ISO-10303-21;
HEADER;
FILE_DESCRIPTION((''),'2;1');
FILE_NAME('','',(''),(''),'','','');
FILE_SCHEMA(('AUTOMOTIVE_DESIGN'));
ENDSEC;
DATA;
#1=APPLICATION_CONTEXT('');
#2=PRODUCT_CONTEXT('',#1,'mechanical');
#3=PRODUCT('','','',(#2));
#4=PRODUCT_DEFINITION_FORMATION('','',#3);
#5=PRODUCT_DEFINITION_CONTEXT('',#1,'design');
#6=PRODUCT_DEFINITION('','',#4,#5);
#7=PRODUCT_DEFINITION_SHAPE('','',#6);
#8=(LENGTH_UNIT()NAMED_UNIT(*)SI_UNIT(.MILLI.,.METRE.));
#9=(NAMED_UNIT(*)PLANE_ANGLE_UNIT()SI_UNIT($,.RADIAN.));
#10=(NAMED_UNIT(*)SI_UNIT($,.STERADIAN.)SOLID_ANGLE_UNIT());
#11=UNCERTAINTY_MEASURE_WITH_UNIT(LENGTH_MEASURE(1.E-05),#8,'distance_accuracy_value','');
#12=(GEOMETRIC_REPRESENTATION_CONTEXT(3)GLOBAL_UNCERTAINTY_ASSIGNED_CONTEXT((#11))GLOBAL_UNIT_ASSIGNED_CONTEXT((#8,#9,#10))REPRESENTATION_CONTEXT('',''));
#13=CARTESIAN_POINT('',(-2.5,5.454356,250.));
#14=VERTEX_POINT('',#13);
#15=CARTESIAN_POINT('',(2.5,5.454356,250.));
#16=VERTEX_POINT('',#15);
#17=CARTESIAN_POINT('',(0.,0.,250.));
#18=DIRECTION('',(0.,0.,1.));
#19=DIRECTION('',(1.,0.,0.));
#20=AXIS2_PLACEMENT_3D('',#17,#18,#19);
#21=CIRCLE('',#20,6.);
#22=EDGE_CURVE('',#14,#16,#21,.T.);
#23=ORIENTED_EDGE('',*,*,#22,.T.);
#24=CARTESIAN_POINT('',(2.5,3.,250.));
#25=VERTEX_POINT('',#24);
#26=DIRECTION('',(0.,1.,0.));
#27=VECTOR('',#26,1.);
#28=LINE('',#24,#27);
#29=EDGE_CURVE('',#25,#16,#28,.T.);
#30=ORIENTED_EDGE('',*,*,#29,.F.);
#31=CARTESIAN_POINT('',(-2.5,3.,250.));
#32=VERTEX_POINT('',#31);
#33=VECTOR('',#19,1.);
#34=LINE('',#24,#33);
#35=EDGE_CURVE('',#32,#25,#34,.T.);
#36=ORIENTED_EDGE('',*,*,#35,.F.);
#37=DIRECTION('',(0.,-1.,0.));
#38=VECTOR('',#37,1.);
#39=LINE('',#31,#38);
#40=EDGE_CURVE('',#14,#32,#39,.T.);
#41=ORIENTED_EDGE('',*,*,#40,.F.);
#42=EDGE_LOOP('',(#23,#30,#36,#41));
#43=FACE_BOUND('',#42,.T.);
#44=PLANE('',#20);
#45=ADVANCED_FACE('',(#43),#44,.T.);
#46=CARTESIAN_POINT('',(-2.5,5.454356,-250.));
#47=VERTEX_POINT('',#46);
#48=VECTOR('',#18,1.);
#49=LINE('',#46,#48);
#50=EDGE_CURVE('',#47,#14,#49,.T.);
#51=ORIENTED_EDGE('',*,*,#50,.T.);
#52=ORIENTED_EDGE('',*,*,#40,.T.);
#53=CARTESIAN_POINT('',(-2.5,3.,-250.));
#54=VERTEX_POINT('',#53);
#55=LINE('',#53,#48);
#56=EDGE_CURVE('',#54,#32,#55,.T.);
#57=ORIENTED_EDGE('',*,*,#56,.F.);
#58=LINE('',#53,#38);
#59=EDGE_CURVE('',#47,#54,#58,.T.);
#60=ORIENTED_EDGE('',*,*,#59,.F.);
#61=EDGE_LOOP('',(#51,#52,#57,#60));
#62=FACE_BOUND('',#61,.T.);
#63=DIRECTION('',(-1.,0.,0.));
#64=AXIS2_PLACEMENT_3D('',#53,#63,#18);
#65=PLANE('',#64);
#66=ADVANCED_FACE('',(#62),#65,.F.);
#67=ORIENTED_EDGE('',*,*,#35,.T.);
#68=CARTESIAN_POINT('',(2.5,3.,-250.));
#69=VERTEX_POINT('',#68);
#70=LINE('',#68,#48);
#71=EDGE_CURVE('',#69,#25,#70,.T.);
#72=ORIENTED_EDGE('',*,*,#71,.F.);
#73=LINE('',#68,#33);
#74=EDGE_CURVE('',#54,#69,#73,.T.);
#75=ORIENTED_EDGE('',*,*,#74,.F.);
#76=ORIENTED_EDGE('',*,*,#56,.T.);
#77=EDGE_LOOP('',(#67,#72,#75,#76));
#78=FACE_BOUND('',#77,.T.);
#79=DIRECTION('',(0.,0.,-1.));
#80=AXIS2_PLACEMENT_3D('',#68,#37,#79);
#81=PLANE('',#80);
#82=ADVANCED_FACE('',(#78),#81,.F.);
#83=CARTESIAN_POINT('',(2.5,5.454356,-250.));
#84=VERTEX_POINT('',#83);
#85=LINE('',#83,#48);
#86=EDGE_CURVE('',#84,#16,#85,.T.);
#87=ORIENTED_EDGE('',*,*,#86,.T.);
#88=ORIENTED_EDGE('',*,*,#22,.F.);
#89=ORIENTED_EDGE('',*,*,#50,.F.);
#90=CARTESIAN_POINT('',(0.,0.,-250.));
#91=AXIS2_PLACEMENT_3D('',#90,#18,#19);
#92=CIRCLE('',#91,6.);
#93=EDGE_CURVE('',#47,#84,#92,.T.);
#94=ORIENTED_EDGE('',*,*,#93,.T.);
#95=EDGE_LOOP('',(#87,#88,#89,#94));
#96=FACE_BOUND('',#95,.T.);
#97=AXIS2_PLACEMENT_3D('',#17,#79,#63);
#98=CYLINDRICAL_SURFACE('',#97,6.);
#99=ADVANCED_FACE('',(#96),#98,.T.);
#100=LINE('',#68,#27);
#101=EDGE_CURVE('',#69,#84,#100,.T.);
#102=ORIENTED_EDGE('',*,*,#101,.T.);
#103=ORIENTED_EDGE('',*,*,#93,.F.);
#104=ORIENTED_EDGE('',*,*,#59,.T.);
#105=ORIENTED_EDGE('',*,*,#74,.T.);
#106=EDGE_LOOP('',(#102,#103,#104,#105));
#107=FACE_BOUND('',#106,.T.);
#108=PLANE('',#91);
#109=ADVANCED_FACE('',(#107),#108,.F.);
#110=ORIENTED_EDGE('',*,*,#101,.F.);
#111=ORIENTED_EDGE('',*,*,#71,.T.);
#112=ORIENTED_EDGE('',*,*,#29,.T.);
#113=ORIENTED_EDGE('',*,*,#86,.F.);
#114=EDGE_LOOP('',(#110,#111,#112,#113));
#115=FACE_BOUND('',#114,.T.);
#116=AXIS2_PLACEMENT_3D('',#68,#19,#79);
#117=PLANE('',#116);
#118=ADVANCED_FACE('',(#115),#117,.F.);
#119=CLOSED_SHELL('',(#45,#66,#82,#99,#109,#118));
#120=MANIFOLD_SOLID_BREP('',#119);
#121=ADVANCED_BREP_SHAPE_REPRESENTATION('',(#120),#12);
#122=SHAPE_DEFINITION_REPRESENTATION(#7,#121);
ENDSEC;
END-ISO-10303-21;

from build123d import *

# Parameters (mm, degrees)
SKETCH_1_R          = 6
EXTRUDE_1_DEPTH     = 250
CUT_EXTRUDE_1_DEPTH = 501.071994817


with BuildPart() as part:
    # 草图1 → 凸台-拉伸1 (new, symmetric)
    with BuildSketch(Plane.XY):
        Circle(SKETCH_1_R)
    extrude(amount=EXTRUDE_1_DEPTH, both=True)

    # 草图2 → 切除-拉伸1 (cut, through all)
    with BuildSketch(Plane.XY.offset(250)):
        with BuildLine():
            Line((2.5, 3), (-2.5, 3))
            Line((-2.5, 3), (-2.5, 5.454356057))
            ThreePointArc((-2.5, 5.454356057), (0, 6), (2.5, 5.454356057))
            Line((2.5, 5.454356057), (2.5, 3))
        make_face()
    extrude(amount=-CUT_EXTRUDE_1_DEPTH, mode=Mode.SUBTRACT)


solid = part.part
